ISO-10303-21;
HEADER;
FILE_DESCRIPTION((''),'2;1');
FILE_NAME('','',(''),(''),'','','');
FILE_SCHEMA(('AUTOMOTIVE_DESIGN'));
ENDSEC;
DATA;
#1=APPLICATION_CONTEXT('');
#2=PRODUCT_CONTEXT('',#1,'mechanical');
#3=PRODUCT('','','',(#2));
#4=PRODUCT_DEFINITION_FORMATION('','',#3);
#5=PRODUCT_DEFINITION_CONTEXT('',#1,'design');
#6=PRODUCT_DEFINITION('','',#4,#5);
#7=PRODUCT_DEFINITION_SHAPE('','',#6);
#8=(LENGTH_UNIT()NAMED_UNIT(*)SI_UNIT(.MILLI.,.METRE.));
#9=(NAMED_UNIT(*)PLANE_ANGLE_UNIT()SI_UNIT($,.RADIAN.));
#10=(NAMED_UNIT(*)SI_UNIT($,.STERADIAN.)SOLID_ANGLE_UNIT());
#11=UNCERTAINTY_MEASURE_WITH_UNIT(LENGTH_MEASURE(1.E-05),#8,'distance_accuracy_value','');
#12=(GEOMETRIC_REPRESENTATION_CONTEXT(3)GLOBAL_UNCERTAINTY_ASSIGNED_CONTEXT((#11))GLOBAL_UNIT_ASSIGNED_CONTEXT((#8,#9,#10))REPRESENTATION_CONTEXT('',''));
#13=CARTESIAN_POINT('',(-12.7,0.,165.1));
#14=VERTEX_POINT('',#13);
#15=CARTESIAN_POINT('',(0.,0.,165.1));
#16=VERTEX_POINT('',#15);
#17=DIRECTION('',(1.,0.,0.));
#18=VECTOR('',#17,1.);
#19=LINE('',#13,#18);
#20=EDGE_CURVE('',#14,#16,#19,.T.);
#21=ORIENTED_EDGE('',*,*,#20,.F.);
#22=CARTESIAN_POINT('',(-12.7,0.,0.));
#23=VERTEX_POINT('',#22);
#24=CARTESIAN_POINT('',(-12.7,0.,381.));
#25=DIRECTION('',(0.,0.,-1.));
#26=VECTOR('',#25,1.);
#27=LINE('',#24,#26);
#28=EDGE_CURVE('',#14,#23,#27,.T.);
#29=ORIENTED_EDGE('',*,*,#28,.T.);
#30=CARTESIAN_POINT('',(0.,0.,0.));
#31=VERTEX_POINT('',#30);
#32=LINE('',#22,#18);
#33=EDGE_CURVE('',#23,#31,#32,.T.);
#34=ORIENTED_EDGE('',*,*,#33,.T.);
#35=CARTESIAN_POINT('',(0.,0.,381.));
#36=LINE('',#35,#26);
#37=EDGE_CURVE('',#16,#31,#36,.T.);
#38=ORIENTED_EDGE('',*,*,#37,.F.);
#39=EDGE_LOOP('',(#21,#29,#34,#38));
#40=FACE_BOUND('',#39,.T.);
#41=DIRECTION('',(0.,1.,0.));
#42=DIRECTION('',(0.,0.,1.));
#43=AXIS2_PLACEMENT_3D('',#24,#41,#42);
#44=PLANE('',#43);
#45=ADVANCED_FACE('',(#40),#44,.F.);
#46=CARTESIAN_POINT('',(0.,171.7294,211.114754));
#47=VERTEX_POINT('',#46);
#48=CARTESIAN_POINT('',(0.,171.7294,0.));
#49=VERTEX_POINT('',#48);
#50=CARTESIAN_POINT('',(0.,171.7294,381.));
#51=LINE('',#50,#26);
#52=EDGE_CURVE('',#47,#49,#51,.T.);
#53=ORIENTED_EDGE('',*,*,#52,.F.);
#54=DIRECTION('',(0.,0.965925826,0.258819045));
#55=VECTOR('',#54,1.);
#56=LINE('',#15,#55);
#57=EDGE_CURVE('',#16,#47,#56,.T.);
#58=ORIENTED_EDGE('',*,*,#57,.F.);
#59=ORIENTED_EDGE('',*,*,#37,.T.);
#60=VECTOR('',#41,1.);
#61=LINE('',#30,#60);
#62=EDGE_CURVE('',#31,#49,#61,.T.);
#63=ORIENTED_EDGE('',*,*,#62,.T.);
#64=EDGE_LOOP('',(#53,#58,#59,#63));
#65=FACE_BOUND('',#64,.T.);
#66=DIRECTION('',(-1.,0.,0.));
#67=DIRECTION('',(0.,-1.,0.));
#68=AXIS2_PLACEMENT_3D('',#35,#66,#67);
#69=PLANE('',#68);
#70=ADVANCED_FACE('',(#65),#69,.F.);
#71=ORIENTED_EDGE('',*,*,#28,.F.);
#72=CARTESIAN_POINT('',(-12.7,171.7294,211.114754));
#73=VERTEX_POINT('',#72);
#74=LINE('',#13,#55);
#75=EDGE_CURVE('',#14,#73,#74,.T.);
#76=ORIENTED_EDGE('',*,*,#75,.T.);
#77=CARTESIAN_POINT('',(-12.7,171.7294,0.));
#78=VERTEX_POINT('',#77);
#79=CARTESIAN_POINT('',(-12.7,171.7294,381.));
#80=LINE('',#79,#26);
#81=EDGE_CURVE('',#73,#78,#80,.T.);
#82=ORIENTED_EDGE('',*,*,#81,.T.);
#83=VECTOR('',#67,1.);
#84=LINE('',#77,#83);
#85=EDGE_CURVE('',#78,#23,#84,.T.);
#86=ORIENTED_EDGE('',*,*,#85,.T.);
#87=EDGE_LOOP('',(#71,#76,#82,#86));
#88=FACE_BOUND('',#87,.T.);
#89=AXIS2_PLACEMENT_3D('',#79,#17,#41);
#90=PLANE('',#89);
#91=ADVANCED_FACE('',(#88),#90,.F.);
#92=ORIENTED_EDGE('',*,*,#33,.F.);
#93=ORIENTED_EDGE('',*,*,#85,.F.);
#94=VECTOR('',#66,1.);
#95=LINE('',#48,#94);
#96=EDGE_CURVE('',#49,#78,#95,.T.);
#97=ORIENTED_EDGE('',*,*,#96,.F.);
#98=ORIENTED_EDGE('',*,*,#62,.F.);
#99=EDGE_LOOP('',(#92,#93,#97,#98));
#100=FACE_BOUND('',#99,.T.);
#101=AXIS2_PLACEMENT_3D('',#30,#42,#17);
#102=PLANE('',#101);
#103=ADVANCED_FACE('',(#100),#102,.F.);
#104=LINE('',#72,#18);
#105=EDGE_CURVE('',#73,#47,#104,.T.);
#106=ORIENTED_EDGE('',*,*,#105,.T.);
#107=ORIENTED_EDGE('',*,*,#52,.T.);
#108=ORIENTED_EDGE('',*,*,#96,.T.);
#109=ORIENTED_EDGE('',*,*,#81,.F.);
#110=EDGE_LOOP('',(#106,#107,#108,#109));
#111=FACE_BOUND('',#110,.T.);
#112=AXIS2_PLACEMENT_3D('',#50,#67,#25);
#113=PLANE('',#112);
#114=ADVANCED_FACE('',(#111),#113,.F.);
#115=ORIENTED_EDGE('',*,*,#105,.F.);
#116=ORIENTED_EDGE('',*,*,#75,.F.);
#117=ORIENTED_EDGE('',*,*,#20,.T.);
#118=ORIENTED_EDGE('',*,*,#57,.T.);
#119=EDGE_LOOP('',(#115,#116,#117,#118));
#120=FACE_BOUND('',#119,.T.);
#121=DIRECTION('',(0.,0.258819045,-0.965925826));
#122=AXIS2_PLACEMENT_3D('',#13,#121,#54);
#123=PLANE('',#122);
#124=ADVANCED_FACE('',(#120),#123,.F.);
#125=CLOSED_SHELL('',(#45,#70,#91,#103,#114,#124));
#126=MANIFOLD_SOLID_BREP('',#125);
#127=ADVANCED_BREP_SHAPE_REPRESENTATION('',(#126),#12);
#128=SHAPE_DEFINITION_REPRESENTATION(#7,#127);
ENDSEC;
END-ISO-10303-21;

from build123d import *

# Parameters (mm, degrees)
SKETCH2_W           = 12.7
SKETCH2_H           = 171.7294
BOSS_EXTRUDE2_DEPTH = 381
CUT_EXTRUDE1_DEPTH  = 13.7


with BuildPart() as part:
    # Sketch2 → Boss-Extrude2 (new body)
    with BuildSketch(Plane.XY):
        with Locations((-6.35, 85.8647)):
            Rectangle(SKETCH2_W, SKETCH2_H)
    extrude(amount=BOSS_EXTRUDE2_DEPTH)

    # Sketch3 → Cut-Extrude1 (cut, through all)
    with BuildSketch(Plane(origin=(0, 0, 0), x_dir=(0, 0, -1), z_dir=(1, 0, 0))):
        Polygon((-165.1, 0), (-211.114754047, 171.7294), (-381, 171.7294), (-381, 0), align=None)
    extrude(amount=-CUT_EXTRUDE1_DEPTH, mode=Mode.SUBTRACT)


solid = part.part
